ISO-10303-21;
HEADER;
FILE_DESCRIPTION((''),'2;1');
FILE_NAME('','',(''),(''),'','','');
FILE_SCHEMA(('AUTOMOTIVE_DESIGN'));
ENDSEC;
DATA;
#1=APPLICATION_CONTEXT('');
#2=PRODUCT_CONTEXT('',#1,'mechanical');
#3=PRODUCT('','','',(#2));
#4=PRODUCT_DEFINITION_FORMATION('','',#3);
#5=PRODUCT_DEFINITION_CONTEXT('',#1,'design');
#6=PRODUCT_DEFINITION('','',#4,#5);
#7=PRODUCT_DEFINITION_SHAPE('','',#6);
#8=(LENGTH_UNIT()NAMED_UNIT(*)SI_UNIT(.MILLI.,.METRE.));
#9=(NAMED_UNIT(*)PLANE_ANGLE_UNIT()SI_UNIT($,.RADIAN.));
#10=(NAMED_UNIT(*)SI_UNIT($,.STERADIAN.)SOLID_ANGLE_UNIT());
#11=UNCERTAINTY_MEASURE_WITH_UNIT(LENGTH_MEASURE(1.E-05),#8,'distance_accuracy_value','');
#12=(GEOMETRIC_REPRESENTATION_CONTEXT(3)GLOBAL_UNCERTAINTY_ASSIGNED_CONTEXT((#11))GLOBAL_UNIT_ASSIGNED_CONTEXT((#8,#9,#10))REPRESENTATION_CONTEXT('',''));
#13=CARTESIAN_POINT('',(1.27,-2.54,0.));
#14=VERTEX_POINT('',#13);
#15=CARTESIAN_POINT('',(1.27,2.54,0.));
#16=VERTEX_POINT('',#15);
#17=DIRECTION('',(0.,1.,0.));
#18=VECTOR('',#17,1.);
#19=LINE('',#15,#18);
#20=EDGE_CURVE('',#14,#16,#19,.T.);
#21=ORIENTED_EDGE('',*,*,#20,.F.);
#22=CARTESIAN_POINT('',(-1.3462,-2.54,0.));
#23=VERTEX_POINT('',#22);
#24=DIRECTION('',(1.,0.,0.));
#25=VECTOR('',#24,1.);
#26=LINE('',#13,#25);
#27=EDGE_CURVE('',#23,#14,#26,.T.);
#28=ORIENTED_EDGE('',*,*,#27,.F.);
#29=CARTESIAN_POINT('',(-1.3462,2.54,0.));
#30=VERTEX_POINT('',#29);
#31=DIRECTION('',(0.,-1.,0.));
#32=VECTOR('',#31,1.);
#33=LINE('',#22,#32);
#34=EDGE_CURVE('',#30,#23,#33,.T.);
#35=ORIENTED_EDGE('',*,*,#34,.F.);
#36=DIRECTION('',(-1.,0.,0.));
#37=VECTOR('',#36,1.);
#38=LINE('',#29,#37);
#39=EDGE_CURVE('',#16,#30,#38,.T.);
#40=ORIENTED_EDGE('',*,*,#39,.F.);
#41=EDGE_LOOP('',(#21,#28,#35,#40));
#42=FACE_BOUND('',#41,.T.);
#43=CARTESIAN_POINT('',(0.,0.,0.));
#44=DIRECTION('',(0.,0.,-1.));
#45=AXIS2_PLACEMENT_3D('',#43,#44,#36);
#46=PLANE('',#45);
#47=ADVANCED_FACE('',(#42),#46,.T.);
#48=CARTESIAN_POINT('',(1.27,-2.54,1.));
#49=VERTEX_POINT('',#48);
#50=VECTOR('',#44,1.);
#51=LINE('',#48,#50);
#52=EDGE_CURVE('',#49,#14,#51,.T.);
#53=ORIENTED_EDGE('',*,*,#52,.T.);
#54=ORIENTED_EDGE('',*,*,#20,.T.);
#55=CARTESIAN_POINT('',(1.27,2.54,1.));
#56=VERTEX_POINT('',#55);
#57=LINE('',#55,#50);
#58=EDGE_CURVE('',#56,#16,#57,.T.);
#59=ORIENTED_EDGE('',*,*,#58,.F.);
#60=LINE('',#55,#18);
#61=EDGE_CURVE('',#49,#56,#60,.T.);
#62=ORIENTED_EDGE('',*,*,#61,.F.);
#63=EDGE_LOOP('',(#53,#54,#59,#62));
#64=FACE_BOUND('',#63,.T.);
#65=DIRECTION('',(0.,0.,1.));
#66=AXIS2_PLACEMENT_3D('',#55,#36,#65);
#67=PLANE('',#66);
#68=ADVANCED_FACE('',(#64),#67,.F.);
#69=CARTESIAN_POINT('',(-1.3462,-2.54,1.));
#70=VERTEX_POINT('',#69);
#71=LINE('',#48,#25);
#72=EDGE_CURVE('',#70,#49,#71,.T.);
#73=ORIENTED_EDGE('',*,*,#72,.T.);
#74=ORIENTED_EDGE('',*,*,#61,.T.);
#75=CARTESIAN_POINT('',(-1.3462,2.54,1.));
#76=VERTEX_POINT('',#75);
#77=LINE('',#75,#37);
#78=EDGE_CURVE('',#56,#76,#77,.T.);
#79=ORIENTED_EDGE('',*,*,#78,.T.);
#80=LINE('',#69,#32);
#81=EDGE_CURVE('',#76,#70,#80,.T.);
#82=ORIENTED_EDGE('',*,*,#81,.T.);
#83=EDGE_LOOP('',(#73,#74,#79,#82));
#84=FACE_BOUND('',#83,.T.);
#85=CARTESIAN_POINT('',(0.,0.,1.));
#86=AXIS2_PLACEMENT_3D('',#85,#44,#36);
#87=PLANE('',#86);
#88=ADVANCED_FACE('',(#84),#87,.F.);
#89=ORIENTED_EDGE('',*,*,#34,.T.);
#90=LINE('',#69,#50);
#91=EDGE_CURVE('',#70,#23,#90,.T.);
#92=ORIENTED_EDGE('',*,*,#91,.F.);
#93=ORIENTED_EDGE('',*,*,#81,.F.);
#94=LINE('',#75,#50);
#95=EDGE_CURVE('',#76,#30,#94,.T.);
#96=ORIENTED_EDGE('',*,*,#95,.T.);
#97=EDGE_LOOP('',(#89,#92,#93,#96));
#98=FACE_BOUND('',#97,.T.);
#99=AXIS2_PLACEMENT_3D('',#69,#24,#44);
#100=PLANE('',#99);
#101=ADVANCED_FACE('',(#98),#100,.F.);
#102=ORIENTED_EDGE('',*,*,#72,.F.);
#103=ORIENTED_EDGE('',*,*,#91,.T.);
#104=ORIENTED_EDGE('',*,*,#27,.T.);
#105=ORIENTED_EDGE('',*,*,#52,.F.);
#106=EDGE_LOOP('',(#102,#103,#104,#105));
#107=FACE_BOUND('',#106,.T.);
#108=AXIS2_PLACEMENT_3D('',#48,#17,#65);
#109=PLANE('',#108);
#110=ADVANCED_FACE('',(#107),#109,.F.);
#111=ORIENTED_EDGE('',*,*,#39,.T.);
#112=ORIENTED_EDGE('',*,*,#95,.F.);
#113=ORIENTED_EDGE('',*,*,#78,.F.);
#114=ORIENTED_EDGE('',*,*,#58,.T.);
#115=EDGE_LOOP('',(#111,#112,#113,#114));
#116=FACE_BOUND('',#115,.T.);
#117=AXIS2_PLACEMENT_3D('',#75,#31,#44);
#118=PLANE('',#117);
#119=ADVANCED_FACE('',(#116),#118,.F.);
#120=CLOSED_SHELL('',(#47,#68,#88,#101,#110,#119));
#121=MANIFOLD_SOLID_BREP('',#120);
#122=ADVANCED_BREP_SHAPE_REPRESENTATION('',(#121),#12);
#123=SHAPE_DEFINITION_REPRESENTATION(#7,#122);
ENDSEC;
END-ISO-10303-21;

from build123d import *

# Parameters (mm, degrees)
SKETCH1_W               = 2.6162
SKETCH1_H               = 5.08
COMPONENT_OUTLINE_DEPTH = 1


with BuildPart() as part:
    # Sketch1 → Component_Outline (new body)
    with BuildSketch(Plane.XY):
        with Locations((-0.0381, 0)):
            Rectangle(SKETCH1_W, SKETCH1_H)
    extrude(amount=COMPONENT_OUTLINE_DEPTH)


solid = part.part
